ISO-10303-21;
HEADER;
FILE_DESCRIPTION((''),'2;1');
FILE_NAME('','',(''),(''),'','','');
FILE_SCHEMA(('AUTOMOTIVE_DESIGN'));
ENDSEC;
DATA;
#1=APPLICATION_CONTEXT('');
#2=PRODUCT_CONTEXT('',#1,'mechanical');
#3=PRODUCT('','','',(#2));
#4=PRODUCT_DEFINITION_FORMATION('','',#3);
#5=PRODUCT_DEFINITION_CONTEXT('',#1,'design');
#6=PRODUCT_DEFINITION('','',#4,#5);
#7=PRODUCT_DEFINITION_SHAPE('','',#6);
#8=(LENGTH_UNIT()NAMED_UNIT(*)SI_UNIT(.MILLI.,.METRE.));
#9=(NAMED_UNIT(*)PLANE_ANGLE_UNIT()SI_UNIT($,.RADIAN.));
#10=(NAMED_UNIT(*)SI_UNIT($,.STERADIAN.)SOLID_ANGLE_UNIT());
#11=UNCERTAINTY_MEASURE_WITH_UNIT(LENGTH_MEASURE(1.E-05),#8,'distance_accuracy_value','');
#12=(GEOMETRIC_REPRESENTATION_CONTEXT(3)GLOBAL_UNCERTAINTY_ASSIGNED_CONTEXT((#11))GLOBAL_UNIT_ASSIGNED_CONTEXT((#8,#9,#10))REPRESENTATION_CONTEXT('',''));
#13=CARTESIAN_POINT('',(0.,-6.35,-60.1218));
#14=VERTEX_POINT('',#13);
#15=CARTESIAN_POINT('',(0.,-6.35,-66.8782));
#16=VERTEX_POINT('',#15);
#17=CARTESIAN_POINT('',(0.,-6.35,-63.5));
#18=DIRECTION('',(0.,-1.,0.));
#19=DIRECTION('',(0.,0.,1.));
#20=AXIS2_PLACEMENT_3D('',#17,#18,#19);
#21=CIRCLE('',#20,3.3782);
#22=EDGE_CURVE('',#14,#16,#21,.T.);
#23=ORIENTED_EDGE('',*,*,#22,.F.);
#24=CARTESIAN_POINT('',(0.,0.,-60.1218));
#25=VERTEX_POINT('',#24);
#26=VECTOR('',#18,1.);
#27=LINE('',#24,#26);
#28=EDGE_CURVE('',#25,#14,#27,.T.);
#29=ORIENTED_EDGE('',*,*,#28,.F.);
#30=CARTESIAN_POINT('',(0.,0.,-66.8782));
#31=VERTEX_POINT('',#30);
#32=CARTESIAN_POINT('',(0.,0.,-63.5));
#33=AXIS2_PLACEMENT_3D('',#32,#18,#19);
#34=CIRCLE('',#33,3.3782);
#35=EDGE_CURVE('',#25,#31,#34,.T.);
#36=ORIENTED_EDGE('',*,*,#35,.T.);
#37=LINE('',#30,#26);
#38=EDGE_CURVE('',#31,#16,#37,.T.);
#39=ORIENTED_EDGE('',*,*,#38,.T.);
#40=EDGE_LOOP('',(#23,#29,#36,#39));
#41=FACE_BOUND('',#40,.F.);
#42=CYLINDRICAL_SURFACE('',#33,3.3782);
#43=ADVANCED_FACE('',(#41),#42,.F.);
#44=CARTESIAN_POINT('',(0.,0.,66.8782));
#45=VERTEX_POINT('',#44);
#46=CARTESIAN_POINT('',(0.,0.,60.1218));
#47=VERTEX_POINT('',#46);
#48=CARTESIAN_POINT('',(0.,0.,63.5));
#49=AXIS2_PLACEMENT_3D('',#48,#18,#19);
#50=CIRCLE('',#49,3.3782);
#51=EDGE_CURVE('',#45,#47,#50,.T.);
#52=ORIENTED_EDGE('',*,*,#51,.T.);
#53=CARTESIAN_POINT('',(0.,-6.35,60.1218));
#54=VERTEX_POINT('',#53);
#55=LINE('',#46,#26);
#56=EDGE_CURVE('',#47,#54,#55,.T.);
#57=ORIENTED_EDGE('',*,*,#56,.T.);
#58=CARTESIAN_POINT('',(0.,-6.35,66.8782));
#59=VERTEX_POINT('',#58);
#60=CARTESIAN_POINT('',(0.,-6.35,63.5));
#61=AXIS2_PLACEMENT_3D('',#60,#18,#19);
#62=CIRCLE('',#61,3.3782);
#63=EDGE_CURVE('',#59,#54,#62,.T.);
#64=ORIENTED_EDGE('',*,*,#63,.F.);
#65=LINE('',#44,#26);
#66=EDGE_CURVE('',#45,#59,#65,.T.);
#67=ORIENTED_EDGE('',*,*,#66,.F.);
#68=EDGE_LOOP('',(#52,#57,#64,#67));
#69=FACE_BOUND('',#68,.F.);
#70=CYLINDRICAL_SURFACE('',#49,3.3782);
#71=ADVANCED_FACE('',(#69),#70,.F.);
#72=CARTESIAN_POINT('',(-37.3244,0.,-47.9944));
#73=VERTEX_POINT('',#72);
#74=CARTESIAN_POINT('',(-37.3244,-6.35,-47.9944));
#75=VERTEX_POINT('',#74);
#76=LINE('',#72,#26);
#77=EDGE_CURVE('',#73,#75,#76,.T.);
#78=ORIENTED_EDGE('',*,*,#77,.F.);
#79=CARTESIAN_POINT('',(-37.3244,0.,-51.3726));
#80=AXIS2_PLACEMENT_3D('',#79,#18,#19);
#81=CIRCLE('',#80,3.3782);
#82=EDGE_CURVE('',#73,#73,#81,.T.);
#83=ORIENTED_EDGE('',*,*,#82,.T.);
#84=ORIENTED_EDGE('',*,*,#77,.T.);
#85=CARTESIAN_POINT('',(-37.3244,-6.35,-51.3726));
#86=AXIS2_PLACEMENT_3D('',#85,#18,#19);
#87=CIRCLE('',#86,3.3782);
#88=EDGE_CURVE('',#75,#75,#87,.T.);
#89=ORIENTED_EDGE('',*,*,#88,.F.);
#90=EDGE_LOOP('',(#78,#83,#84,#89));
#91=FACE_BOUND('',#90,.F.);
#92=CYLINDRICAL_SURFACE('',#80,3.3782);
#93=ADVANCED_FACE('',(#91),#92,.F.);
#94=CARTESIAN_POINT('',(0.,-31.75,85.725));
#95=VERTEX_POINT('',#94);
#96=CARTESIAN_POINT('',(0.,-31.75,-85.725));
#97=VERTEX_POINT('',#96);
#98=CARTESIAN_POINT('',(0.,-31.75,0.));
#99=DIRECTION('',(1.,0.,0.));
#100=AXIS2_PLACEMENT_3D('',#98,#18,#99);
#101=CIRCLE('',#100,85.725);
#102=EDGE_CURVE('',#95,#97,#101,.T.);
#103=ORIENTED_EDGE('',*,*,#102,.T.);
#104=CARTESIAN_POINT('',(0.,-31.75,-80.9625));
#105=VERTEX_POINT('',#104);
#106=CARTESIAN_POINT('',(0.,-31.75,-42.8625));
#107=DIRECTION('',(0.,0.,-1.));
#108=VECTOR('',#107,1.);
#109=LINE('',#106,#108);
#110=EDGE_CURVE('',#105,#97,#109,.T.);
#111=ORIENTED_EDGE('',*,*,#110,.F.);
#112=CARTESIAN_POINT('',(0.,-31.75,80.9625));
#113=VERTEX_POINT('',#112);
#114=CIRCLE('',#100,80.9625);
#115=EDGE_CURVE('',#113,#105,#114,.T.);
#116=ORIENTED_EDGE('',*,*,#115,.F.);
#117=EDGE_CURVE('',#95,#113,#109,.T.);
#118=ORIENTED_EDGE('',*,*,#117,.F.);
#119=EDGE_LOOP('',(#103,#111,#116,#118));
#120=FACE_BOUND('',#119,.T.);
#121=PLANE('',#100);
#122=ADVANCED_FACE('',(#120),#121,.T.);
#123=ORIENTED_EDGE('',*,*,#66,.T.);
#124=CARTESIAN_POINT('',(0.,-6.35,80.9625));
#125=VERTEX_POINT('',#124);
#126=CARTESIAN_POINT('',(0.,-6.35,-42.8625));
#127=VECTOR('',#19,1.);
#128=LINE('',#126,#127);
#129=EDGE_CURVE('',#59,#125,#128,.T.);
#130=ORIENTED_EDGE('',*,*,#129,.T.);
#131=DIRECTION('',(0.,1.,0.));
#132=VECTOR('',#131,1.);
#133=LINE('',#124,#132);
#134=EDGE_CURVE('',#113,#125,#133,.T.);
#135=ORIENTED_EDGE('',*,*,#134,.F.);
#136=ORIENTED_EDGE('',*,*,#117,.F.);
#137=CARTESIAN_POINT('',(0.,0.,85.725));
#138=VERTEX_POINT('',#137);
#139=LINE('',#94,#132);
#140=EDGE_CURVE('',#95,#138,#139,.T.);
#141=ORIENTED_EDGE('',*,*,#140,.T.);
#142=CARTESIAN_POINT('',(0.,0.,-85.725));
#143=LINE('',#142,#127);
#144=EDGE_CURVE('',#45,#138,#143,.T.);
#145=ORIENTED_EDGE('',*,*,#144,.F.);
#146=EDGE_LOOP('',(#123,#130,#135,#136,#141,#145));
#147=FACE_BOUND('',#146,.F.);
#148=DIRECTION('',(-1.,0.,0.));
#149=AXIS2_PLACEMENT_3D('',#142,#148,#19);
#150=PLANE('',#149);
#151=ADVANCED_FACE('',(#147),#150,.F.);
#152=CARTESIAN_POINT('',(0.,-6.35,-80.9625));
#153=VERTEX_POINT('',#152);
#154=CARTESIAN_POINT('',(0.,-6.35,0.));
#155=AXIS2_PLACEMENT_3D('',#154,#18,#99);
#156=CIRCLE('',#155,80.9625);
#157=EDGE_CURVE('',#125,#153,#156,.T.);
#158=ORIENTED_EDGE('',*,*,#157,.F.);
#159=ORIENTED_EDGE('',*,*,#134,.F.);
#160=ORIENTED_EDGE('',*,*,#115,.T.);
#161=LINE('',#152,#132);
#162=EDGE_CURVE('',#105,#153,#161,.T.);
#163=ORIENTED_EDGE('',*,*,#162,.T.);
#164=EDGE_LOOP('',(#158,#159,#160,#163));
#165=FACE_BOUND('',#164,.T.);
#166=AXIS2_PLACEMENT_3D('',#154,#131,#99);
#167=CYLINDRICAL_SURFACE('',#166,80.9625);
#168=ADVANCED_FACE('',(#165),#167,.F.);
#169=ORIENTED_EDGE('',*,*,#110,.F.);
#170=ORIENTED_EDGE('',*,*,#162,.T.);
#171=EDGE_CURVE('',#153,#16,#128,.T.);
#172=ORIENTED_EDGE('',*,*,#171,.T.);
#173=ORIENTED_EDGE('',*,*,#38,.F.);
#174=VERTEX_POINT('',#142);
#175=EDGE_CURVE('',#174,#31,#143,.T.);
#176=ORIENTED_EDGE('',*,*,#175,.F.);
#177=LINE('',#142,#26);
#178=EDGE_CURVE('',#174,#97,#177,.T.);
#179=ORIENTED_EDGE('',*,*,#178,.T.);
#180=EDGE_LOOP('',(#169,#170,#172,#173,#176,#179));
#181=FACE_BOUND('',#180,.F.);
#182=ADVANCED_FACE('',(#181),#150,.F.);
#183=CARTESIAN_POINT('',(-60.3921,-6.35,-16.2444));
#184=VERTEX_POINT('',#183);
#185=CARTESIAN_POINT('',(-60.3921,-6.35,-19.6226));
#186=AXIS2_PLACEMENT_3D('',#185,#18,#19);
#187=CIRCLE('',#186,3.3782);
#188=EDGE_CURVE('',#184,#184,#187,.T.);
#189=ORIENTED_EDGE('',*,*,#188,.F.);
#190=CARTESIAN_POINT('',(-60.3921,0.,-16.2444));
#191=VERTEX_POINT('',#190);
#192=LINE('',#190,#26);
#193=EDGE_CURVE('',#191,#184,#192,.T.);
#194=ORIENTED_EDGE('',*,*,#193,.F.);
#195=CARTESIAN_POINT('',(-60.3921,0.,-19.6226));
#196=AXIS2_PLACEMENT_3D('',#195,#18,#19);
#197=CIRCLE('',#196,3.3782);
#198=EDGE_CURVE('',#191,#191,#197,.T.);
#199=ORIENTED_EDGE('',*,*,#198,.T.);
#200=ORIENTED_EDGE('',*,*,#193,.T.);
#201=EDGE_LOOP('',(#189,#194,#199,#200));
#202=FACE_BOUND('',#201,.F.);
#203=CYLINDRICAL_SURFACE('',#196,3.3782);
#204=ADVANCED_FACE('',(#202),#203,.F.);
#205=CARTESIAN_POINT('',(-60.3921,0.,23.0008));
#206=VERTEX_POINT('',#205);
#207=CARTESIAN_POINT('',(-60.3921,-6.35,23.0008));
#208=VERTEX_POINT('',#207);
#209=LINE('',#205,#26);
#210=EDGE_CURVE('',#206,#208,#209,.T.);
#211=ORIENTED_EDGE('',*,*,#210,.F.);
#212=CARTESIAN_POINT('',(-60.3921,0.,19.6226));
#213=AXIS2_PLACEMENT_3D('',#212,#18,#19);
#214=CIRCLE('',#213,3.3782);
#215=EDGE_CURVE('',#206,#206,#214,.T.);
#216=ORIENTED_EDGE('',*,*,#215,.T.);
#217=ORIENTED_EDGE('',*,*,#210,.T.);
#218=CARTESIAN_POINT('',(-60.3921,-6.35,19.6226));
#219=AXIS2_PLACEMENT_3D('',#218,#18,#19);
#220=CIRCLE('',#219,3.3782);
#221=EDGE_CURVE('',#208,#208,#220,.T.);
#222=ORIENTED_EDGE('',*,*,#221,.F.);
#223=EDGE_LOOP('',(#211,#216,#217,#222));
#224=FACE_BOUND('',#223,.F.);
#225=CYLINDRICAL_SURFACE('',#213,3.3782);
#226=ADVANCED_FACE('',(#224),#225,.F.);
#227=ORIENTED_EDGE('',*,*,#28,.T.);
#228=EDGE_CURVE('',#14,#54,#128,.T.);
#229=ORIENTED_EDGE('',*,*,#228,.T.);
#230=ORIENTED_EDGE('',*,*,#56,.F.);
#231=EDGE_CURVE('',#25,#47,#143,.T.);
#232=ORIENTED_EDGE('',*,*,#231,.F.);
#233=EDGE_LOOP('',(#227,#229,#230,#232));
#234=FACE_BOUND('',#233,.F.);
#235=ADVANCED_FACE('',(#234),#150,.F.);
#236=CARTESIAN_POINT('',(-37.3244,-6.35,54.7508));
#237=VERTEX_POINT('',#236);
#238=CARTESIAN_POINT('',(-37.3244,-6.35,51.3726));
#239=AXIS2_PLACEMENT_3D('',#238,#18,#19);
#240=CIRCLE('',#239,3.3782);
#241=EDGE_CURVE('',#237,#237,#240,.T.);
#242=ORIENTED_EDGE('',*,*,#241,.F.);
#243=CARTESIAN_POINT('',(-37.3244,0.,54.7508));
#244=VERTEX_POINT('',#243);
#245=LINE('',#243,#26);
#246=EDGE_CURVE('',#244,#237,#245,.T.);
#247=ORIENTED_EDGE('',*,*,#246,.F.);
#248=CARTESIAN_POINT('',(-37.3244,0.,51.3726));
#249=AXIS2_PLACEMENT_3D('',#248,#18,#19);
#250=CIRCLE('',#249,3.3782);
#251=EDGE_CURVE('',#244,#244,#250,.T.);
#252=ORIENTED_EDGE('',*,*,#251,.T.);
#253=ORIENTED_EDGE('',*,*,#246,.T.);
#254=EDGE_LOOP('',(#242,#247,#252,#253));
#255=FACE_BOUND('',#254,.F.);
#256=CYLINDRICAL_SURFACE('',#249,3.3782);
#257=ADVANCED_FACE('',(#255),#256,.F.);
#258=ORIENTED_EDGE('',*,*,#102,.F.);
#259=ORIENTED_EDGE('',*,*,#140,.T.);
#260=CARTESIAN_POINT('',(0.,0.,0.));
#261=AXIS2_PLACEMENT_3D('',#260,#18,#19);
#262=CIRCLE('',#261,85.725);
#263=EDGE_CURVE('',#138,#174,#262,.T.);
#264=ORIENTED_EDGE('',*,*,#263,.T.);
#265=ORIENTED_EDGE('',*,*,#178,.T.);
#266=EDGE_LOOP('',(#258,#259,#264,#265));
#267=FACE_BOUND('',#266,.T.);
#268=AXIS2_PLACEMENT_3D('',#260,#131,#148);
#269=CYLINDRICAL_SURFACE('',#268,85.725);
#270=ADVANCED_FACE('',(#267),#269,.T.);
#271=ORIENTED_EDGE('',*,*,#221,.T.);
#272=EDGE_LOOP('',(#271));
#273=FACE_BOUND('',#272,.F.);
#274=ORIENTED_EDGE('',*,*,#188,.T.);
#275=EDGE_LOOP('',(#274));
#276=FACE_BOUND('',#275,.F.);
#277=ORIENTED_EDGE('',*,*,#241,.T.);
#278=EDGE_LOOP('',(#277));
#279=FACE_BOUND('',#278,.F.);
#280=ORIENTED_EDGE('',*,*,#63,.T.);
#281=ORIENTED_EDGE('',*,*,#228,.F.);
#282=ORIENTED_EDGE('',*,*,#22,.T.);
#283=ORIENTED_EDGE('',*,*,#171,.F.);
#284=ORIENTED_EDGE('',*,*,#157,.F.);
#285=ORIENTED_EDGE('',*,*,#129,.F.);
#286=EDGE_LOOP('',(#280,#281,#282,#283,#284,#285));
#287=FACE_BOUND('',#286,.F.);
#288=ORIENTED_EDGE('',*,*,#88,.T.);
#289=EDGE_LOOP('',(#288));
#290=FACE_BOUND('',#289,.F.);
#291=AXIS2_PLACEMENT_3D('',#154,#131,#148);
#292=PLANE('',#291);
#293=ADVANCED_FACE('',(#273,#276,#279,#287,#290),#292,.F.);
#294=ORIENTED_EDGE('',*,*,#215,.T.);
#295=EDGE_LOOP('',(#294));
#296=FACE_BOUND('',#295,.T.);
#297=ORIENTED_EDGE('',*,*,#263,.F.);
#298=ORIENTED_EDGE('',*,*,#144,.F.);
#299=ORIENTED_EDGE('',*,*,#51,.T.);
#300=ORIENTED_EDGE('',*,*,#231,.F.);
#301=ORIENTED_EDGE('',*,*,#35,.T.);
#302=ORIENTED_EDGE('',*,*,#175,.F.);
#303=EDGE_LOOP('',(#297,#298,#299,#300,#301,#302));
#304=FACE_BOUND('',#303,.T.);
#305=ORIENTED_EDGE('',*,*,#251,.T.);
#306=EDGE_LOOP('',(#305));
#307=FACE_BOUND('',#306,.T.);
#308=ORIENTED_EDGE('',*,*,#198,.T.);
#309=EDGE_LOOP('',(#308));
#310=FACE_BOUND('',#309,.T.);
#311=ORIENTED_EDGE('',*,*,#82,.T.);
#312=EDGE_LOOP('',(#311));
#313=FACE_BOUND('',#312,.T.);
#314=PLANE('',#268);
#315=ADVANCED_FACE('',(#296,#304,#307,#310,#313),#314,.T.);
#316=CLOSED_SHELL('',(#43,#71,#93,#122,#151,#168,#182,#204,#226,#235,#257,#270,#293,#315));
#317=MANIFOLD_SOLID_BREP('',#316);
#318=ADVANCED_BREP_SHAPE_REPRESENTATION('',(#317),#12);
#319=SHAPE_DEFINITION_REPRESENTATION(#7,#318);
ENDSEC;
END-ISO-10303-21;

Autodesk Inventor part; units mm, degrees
ref_plane "YZ Plane" through (0, 0, 0) normal (1, 0, 0) x (0, 1, 0)
ref_plane "XZ Plane" through (0, 0, 0) normal (0, 1, 0) x (-1, 0, 0)
ref_plane "XY Plane" through (0, 0, 0) normal (0, 0, 1) x (1, 0, 0)
sketch "Sketch1" plane through (0, 0, 0) normal (0, 1, 0) x (-1, 0, 0)
  circle A0 centre (0, 0) radius 85.725
  dimension "d0" = 171.45
extrude "Extrusion1" add sketch "Sketch1" against normal blind 6.35
sketch "Sketch2" plane through (0, -6.35, 0) normal (0, -1, 0) x (1, 0, 0)
  circle A0 centre (0, 0) radius 85.725
  circle A1 centre (0, 0) radius 80.9625
  dimension "d3" = 161.925
extrude "Extrusion2" add sketch "Sketch2" along normal blind 25.4
sketch "Sketch3" plane through (0, 0, 0) normal (0, 1, 0) x (1, 0, 0)
  arc A0 (0, -85.725) -> (0, 85.725) centre (0, 0) ccw
  circle A1 centre (0, 0) radius 85.725 projected
  line L0 (0, 85.725) -> (0, -85.725)
extrude "Extrusion3" cut sketch "Sketch3" against normal through all contours L0 A0
sketch "Sketch4" plane through (0, 0, 0) normal (0, 1, 0) x (1, 0, 0)
  circle A0 centre (0, 0) radius 63.5 construction
  line L0 (0, 0) -> (-37.3244, -51.3726) construction
  line L1 (0, -85.725) -> (0, 85.725) construction
  point P0 (-60.3921, -19.6226)
  point P1 (-60.3921, 19.6226)
  point P2 (-37.3244, 51.3726)
  point P3 (0, 63.5)
  point P4 (37.3244, 51.3726)
  point P5 (60.3921, 19.6226)
  point P6 (60.3921, -19.6226)
  point P7 (37.3244, -51.3726)
  point P8 (0, -63.5)
  dimension "d8" = 127
  dimension "d9" = 36
  dimension "d12" = 360
hole "Hole1" at (-37.3244, 0, 51.3726) at (-60.3921, 0, 19.6226) at (-60.3921, 0, -19.6226) at (-37.3244, 0, -51.3726) at (0, 0, -63.5) at (37.3244, 0, -51.3726) at (60.3921, 0, -19.6226) at (60.3921, 0, 19.6226) at (37.3244, 0, 51.3726) at (0, 0, 63.5) direction (0, -1, 0) diameter 6.7564 end through all clearance for "Flat Head Machine Screw (82)" size "1/4" standard "Ansi Unified Screw Threads"
properties part number "CoverPlateForWaterHalf" material "PET Plastic"
